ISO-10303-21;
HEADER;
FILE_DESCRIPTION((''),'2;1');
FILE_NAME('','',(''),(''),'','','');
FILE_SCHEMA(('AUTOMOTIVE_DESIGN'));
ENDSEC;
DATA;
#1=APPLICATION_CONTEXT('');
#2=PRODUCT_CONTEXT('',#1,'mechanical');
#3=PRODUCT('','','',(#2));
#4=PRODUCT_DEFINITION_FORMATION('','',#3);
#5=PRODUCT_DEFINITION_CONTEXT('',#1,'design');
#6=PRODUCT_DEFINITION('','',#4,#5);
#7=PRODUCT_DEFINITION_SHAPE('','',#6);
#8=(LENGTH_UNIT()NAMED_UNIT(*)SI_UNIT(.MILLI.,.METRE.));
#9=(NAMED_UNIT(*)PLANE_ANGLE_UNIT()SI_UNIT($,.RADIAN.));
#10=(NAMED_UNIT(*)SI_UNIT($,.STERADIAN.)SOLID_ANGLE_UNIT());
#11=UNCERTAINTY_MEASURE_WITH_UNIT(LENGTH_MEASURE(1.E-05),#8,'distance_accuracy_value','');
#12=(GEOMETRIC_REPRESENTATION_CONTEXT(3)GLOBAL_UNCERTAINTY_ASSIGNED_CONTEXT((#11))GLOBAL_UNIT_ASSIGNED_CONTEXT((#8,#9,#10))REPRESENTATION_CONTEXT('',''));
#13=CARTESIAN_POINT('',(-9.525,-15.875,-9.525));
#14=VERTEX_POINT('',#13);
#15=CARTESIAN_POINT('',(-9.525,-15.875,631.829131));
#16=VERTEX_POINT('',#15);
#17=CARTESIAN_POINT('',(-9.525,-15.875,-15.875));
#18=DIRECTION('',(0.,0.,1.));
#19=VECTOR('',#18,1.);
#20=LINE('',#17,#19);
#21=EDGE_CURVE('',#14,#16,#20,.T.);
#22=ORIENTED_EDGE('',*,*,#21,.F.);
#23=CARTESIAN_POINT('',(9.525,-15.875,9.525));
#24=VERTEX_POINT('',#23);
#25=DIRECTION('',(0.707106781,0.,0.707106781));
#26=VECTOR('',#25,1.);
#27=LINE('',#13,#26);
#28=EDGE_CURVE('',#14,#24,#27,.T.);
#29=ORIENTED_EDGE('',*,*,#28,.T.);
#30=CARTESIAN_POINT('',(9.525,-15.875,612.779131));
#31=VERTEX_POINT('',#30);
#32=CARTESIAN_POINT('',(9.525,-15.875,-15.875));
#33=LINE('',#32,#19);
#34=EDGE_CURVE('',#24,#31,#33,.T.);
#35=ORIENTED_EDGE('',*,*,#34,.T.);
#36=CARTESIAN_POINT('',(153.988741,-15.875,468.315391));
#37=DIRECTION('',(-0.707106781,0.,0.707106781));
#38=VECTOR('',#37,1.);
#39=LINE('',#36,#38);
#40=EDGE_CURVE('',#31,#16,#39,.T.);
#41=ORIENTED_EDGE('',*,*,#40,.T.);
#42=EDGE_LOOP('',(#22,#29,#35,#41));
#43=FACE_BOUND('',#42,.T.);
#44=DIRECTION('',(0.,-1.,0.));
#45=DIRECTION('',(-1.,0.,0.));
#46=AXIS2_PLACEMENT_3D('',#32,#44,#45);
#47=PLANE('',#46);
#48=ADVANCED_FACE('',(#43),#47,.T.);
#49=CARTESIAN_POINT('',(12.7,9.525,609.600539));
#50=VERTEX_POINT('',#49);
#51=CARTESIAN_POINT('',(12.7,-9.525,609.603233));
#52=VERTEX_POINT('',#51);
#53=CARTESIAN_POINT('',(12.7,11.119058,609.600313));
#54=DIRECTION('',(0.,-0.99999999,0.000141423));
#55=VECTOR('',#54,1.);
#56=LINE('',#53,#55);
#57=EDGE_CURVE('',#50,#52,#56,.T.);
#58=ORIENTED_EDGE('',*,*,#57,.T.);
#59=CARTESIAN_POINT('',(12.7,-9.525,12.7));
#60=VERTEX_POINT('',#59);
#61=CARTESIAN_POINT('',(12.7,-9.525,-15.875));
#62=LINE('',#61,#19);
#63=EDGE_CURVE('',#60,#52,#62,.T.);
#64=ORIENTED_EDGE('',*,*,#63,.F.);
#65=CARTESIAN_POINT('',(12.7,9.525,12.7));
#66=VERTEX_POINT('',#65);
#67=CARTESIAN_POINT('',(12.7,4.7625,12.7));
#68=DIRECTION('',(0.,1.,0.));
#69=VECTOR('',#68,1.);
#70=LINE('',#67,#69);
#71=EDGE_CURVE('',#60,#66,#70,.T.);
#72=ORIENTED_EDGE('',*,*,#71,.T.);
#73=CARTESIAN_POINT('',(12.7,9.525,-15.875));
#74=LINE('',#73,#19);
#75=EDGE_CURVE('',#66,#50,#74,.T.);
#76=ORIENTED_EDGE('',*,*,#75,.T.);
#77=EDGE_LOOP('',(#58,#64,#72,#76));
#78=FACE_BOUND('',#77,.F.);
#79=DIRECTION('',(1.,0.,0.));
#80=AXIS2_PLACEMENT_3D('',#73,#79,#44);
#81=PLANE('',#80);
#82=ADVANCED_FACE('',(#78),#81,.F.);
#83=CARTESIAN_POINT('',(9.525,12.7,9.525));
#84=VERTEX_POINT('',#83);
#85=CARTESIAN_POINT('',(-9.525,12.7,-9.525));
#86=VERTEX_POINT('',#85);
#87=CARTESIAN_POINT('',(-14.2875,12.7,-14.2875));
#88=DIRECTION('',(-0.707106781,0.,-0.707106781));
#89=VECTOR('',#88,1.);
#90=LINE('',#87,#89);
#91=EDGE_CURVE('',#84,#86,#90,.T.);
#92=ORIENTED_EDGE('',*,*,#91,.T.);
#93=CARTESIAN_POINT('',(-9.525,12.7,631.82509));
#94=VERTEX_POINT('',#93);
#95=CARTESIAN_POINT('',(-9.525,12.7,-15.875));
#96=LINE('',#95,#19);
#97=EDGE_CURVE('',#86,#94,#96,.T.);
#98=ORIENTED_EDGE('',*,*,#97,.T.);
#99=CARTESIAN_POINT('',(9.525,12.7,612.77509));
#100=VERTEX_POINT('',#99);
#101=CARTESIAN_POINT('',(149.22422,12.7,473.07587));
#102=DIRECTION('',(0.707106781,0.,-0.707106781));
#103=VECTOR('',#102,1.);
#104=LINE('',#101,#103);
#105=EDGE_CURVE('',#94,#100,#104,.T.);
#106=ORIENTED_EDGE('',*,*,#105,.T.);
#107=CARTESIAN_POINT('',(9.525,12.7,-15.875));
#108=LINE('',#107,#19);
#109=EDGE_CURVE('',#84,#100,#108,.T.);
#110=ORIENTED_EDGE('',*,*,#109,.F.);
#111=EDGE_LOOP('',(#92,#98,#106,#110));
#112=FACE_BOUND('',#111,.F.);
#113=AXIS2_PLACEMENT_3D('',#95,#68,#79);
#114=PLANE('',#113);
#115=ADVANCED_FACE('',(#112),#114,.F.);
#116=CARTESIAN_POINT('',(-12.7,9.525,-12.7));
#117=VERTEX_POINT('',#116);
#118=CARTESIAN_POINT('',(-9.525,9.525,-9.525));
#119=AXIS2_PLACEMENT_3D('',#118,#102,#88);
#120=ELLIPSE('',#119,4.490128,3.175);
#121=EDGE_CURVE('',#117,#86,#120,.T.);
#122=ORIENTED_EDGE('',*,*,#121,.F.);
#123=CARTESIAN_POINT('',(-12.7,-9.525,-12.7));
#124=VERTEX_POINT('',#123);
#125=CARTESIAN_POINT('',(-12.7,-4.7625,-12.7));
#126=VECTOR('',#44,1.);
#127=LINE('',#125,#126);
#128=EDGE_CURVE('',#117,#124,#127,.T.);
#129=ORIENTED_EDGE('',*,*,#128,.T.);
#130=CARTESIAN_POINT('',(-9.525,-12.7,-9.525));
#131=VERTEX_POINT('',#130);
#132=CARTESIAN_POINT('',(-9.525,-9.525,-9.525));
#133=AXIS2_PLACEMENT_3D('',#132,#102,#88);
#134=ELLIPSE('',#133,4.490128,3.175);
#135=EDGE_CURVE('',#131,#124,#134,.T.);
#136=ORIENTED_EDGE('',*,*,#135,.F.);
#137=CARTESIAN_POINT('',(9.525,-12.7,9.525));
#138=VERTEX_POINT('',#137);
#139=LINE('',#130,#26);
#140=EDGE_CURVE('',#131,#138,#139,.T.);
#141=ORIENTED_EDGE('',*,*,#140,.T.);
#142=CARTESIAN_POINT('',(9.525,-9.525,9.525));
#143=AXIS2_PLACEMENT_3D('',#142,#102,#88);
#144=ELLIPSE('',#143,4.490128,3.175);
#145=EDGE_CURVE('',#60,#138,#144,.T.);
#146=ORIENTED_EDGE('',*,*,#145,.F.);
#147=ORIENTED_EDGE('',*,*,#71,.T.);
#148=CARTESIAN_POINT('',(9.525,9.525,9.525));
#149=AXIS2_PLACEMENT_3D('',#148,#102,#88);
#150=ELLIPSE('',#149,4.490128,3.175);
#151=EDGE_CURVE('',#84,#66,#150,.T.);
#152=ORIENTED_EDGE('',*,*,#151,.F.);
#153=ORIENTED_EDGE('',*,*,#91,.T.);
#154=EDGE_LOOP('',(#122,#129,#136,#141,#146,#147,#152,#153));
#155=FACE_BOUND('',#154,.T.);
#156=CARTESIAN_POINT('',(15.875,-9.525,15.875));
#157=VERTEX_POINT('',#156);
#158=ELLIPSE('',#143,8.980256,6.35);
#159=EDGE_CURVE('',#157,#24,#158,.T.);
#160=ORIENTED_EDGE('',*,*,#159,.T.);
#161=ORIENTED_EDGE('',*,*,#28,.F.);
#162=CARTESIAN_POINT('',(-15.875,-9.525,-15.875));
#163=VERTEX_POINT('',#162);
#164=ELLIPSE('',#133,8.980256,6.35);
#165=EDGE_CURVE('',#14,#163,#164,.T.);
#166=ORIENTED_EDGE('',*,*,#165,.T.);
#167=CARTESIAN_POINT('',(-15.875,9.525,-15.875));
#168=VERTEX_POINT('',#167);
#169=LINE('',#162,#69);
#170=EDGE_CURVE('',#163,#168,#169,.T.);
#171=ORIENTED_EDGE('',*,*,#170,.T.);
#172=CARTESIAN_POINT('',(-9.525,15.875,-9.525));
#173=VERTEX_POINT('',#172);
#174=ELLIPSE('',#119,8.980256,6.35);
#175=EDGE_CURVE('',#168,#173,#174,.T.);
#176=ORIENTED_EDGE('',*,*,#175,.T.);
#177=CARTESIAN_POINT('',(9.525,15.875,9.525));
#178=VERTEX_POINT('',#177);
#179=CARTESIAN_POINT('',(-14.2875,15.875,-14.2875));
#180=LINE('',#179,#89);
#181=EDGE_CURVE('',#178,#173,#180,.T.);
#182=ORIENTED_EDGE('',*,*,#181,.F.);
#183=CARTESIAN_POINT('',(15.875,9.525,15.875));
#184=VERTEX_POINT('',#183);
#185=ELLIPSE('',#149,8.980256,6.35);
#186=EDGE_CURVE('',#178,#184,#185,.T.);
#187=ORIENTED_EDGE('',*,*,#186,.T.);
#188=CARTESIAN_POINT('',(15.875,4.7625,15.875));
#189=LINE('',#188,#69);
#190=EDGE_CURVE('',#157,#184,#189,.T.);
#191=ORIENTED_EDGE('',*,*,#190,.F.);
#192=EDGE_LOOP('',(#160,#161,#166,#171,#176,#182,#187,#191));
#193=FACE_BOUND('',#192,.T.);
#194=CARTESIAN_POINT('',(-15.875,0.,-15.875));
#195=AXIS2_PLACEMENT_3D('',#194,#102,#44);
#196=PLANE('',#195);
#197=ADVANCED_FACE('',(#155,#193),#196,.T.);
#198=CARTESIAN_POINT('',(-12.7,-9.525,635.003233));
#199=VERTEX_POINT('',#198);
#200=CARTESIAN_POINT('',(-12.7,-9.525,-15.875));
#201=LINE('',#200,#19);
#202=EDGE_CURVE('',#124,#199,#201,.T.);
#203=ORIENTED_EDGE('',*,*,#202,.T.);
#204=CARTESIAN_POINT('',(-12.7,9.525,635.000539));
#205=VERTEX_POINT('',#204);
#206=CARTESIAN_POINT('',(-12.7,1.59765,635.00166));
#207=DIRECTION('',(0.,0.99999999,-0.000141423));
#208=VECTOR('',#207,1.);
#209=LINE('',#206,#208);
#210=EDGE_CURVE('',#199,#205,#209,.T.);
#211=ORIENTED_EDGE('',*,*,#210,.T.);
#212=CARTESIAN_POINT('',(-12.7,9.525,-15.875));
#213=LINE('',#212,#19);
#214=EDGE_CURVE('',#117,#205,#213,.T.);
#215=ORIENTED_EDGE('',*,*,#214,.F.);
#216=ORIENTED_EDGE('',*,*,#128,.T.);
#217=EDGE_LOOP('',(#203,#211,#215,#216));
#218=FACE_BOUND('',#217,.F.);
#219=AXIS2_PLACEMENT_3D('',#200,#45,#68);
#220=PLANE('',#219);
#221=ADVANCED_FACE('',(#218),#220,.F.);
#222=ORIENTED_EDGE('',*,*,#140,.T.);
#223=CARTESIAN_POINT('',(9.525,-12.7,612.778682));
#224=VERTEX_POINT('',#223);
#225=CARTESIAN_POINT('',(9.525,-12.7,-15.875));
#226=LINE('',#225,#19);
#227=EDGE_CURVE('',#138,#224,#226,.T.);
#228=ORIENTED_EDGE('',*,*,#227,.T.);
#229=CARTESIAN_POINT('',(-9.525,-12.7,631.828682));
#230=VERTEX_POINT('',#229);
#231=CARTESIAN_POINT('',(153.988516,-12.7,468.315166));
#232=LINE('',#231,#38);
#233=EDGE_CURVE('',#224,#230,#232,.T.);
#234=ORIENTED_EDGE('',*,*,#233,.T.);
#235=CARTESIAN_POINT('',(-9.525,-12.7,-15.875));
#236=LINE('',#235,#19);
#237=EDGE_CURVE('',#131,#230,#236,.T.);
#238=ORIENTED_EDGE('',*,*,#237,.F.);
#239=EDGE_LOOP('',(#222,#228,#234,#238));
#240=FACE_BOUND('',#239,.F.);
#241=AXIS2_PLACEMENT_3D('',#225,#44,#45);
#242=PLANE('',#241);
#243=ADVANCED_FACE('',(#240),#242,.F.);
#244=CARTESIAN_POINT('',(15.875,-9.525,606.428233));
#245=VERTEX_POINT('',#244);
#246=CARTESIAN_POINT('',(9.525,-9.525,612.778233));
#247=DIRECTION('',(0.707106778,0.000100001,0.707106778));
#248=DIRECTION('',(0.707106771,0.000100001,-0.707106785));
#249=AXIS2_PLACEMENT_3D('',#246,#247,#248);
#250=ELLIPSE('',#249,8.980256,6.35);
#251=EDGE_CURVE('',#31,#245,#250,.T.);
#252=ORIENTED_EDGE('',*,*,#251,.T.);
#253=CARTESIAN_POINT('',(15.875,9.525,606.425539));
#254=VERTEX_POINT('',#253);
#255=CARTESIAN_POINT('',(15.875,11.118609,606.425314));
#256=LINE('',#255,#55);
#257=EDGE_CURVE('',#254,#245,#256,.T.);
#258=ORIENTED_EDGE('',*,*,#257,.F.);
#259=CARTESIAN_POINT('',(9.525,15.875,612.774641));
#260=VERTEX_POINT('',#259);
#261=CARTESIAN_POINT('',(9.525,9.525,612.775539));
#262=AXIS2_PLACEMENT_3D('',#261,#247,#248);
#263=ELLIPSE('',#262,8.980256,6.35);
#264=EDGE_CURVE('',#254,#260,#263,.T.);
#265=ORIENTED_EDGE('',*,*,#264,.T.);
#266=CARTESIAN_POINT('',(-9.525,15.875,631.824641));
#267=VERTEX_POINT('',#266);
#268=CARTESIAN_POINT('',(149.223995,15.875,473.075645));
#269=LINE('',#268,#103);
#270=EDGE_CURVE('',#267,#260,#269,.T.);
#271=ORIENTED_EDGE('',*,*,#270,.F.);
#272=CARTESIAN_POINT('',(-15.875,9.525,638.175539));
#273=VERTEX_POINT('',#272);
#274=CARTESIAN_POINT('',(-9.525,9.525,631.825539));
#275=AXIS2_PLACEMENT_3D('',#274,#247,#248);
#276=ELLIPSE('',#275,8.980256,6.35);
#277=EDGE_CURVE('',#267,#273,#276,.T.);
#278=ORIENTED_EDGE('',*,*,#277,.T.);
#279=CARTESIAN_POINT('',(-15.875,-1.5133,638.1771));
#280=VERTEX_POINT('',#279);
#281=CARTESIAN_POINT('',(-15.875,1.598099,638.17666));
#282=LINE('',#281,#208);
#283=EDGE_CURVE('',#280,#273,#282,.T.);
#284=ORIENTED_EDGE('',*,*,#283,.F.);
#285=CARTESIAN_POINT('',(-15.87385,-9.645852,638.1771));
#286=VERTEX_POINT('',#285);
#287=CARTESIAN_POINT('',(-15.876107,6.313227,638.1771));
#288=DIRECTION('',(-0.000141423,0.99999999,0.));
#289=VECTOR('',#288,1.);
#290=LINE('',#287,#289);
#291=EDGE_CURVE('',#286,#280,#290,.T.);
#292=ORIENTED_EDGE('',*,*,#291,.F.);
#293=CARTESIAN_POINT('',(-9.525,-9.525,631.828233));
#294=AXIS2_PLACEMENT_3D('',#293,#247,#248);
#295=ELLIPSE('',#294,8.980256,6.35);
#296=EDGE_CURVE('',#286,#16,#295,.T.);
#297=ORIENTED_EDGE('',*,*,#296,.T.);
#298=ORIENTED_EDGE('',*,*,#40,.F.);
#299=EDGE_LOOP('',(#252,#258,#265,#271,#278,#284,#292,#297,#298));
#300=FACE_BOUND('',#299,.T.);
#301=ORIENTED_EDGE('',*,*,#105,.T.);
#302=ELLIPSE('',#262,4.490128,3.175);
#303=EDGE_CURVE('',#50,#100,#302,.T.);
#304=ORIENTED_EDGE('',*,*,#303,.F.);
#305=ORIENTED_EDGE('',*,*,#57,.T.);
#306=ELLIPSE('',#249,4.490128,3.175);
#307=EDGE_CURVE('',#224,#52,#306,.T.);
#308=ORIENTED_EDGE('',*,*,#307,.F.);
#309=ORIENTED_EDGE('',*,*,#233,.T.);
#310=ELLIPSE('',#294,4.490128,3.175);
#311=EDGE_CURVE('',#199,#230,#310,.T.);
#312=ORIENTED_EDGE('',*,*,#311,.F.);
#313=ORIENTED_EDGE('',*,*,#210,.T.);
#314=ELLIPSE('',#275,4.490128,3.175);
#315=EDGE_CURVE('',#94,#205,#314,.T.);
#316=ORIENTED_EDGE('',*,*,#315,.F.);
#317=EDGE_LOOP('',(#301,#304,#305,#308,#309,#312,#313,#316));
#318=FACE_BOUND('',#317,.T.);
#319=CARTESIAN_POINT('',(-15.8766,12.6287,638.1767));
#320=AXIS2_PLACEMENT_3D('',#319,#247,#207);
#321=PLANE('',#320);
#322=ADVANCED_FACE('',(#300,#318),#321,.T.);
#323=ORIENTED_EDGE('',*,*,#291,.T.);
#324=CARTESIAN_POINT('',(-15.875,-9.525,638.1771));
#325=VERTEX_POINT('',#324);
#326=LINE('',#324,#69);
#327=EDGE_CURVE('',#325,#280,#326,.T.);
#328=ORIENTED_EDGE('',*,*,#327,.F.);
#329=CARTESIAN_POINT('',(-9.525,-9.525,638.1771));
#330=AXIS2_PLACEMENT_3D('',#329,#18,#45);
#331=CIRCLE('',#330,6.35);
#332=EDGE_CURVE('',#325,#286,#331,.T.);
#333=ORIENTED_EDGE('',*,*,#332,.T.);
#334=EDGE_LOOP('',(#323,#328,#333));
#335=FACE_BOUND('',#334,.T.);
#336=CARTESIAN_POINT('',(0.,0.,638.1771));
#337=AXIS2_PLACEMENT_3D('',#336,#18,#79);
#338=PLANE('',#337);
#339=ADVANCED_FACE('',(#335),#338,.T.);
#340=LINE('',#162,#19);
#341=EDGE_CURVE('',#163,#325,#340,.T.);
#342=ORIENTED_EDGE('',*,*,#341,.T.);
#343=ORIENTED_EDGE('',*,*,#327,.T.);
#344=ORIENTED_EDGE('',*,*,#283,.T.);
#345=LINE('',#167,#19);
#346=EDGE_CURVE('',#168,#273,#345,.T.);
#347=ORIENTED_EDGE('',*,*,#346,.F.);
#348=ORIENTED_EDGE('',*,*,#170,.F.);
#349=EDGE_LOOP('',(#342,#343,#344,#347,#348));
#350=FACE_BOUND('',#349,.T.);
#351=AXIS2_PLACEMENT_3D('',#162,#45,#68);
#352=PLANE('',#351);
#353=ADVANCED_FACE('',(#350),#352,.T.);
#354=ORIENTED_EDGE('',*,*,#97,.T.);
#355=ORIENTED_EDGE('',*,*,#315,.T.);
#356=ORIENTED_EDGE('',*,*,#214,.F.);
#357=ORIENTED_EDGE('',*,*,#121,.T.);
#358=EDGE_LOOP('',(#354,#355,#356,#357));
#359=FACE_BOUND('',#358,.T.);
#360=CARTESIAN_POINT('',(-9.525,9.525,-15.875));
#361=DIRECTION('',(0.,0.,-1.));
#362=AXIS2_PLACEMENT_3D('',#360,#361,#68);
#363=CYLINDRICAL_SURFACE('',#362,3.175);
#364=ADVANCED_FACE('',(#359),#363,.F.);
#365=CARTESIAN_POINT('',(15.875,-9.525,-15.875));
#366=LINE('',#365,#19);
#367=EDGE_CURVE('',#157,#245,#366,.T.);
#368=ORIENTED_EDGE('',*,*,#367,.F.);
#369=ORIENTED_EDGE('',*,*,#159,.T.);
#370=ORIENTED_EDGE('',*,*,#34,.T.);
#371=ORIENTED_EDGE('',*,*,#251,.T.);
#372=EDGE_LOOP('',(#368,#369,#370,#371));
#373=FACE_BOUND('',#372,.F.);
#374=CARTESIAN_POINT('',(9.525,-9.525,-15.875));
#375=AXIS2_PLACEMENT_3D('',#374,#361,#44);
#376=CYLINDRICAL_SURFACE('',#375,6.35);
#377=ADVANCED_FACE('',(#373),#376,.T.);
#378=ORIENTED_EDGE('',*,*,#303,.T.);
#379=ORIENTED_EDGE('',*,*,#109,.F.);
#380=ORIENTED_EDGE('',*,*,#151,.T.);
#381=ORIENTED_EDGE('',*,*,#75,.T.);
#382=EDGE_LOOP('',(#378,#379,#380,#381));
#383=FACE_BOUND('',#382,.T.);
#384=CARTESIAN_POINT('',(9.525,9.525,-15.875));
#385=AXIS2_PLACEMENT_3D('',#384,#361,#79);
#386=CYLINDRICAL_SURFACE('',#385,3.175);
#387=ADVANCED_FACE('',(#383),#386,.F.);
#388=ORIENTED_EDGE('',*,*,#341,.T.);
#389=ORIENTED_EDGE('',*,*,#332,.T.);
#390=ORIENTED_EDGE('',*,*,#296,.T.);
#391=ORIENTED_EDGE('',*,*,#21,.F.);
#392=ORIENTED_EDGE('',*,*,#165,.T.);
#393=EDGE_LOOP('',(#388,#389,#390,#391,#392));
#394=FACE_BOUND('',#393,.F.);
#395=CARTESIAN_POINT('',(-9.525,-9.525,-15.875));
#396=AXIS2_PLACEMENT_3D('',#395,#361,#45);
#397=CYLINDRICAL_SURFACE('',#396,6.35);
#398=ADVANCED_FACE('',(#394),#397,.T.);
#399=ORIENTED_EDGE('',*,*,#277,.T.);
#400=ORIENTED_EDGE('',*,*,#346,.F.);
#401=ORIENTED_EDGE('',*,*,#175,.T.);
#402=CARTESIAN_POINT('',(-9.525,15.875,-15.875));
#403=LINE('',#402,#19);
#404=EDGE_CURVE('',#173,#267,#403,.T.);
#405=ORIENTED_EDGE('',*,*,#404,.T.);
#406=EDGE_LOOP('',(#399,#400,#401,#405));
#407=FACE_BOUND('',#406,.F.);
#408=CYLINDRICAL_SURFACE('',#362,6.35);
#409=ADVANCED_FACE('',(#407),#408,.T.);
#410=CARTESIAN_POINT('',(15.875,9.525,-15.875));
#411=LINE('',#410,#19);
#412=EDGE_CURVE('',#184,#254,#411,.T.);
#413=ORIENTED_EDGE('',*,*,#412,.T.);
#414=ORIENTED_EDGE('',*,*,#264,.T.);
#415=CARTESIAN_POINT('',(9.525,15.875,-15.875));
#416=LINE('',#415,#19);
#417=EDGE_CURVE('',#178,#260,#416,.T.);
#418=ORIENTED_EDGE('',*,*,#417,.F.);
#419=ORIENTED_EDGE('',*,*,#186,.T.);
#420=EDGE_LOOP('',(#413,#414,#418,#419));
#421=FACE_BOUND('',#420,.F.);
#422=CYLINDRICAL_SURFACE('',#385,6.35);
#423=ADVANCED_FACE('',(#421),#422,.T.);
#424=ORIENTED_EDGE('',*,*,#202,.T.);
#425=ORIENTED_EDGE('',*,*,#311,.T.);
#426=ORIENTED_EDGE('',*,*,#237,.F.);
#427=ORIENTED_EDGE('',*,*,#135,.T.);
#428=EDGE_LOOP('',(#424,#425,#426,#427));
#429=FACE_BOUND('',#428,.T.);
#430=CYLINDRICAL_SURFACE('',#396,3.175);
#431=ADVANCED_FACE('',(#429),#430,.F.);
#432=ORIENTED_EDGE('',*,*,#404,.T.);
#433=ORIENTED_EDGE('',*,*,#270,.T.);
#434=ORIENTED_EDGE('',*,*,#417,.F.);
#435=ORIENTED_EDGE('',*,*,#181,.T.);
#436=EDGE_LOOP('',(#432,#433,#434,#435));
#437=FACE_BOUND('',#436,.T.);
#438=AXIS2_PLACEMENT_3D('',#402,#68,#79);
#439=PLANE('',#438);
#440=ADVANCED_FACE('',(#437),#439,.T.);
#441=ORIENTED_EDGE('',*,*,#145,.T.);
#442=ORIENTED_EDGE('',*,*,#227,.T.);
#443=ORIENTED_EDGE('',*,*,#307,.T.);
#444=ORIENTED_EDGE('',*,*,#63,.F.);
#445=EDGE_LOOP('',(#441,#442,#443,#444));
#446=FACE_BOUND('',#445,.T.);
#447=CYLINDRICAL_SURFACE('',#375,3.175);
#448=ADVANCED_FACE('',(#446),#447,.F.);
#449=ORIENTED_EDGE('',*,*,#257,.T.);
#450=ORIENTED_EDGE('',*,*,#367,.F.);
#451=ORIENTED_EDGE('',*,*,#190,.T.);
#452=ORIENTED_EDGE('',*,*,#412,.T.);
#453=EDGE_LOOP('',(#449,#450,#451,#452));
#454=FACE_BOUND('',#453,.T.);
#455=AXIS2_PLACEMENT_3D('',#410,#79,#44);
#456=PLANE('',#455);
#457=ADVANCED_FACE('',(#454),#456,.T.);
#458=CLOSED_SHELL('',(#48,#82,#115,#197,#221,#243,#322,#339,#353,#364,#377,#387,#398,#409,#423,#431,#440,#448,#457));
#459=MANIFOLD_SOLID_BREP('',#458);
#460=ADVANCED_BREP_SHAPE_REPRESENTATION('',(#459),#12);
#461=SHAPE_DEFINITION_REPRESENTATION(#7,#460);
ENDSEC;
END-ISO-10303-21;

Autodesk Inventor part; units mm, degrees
ref_plane "Start plane" through (0, 0, -15.875) normal (0, 0, 1) x (1, 0, 0)
ref_plane "End plane" through (0, 0, 638.1771) normal (0, 0, 1) x (1, 0, 0)
sketch "Sketch" plane through (0, 0, 0) normal (0, 0, 1) x (1, 0, 0)
  line L0 (-15.875, -9.525) -> (-15.875, 9.525)
  line L1 (-9.525, 15.875) -> (9.525, 15.875)
  line L2 (15.875, 9.525) -> (15.875, -9.525)
  line L3 (9.525, -15.875) -> (-9.525, -15.875)
  arc A0 (-15.875, -9.525) -> (-9.525, -15.875) centre (-9.525, -9.525) ccw
  arc A1 (-9.525, 15.875) -> (-15.875, 9.525) centre (-9.525, 9.525) ccw
  arc A2 (15.875, 9.525) -> (9.525, 15.875) centre (9.525, 9.525) ccw
  arc A3 (9.525, -15.875) -> (15.875, -9.525) centre (9.525, -9.525) ccw
  arc A4 (-9.525, 12.7) -> (-12.7, 9.525) centre (-9.525, 9.525) ccw
  line L4 (-9.525, 12.7) -> (9.525, 12.7)
  arc A5 (12.7, 9.525) -> (9.525, 12.7) centre (9.525, 9.525) ccw
  line L5 (12.7, 9.525) -> (12.7, -9.525)
  arc A6 (9.525, -12.7) -> (12.7, -9.525) centre (9.525, -9.525) ccw
  line L6 (9.525, -12.7) -> (-9.525, -12.7)
  arc A7 (-12.7, -9.525) -> (-9.525, -12.7) centre (-9.525, -9.525) ccw
  line L7 (-12.7, -9.525) -> (-12.7, 9.525)
  line L8 (0, 24.0662) -> (0, -24.0662) construction
  line L9 (-24.0662, 0) -> (24.0662, 0) construction
  dimension "d10" = 31.75
  dimension "d11" = 31.75
  dimension "d12" = 3.175
  dimension "d15" = 15.875
  dimension "d16" = 15.875
  dimension "d17" = 6.35
extrude "Body" add sketch "Sketch" along normal up to surface (654.0521 mm away) from surface at -15.875
sketch "Sketch3" plane through (0, 0, 0) normal (0, 0, 1) x (1, 0, 0)
  line L0 (0, 0) -> (10, 0)
ref_plane "Work Plane3" through (0, 0, 0) normal (0, -1, 0) x (1, 0, 0)
sketch "Sketch4" plane through (0, 0, 0) normal (0, -1, 0) x (1, 0, 0)
  line L0 (-2, -15.875) -> (12, -15.875)
  line L1 (-2, 638.1771) -> (12, 638.1771)
  dimension "d19" = 654.0521
ref_plane "Work Plane4" through (-15.875, 0, -15.875) normal (0.7071, 0, -0.7071) x (-0.7071, 0, -0.7071)
split "Split1" plane through (-15.875, 0, -15.875) removes the side toward (0.7071, 0, -0.7071)
ref_plane "Work Plane5" through (-15.8766, 12.6287, 638.1767) normal (0.7071, 0.0001, 0.7071) x (0.7071, 0, -0.7071)
split "Split2" plane through (-15.8766, 12.6287, 638.1767) removes the side toward (0.7071, 0.0001, 0.7071)
equation "\"d10\" = G_H"
equation "\"d11\" = G_W"
equation "\"d12\" = G_T"
equation "\"d15\" = 0.5 * d10"
equation "\"d16\" = 0.5 * d11"
equation "\"d17\" = G_IR"
equation "\"d3\" = G_L"
equation "\"G_W\" = 31.75"
equation "\"G_H\" = 31.75"
equation "\"G_T\" = 3.175"
equation "\"G_IR\" = 6.35"
equation "\"G_L\" = d19"
equation "\"G_OFFSET_START\" = 15.875"
equation "\"G_OFFSET_END\" = 28.57711"
equation "\"d13\" = -G_OFFSET_START"
equation "\"d14\" = G_OFFSET_END + B_L"
equation "\"B_L\" = 609.6"
properties part number "AISC HSS - 1-1/4x1-1/4x1/8 - 25.75" material "Steel, Mild"
